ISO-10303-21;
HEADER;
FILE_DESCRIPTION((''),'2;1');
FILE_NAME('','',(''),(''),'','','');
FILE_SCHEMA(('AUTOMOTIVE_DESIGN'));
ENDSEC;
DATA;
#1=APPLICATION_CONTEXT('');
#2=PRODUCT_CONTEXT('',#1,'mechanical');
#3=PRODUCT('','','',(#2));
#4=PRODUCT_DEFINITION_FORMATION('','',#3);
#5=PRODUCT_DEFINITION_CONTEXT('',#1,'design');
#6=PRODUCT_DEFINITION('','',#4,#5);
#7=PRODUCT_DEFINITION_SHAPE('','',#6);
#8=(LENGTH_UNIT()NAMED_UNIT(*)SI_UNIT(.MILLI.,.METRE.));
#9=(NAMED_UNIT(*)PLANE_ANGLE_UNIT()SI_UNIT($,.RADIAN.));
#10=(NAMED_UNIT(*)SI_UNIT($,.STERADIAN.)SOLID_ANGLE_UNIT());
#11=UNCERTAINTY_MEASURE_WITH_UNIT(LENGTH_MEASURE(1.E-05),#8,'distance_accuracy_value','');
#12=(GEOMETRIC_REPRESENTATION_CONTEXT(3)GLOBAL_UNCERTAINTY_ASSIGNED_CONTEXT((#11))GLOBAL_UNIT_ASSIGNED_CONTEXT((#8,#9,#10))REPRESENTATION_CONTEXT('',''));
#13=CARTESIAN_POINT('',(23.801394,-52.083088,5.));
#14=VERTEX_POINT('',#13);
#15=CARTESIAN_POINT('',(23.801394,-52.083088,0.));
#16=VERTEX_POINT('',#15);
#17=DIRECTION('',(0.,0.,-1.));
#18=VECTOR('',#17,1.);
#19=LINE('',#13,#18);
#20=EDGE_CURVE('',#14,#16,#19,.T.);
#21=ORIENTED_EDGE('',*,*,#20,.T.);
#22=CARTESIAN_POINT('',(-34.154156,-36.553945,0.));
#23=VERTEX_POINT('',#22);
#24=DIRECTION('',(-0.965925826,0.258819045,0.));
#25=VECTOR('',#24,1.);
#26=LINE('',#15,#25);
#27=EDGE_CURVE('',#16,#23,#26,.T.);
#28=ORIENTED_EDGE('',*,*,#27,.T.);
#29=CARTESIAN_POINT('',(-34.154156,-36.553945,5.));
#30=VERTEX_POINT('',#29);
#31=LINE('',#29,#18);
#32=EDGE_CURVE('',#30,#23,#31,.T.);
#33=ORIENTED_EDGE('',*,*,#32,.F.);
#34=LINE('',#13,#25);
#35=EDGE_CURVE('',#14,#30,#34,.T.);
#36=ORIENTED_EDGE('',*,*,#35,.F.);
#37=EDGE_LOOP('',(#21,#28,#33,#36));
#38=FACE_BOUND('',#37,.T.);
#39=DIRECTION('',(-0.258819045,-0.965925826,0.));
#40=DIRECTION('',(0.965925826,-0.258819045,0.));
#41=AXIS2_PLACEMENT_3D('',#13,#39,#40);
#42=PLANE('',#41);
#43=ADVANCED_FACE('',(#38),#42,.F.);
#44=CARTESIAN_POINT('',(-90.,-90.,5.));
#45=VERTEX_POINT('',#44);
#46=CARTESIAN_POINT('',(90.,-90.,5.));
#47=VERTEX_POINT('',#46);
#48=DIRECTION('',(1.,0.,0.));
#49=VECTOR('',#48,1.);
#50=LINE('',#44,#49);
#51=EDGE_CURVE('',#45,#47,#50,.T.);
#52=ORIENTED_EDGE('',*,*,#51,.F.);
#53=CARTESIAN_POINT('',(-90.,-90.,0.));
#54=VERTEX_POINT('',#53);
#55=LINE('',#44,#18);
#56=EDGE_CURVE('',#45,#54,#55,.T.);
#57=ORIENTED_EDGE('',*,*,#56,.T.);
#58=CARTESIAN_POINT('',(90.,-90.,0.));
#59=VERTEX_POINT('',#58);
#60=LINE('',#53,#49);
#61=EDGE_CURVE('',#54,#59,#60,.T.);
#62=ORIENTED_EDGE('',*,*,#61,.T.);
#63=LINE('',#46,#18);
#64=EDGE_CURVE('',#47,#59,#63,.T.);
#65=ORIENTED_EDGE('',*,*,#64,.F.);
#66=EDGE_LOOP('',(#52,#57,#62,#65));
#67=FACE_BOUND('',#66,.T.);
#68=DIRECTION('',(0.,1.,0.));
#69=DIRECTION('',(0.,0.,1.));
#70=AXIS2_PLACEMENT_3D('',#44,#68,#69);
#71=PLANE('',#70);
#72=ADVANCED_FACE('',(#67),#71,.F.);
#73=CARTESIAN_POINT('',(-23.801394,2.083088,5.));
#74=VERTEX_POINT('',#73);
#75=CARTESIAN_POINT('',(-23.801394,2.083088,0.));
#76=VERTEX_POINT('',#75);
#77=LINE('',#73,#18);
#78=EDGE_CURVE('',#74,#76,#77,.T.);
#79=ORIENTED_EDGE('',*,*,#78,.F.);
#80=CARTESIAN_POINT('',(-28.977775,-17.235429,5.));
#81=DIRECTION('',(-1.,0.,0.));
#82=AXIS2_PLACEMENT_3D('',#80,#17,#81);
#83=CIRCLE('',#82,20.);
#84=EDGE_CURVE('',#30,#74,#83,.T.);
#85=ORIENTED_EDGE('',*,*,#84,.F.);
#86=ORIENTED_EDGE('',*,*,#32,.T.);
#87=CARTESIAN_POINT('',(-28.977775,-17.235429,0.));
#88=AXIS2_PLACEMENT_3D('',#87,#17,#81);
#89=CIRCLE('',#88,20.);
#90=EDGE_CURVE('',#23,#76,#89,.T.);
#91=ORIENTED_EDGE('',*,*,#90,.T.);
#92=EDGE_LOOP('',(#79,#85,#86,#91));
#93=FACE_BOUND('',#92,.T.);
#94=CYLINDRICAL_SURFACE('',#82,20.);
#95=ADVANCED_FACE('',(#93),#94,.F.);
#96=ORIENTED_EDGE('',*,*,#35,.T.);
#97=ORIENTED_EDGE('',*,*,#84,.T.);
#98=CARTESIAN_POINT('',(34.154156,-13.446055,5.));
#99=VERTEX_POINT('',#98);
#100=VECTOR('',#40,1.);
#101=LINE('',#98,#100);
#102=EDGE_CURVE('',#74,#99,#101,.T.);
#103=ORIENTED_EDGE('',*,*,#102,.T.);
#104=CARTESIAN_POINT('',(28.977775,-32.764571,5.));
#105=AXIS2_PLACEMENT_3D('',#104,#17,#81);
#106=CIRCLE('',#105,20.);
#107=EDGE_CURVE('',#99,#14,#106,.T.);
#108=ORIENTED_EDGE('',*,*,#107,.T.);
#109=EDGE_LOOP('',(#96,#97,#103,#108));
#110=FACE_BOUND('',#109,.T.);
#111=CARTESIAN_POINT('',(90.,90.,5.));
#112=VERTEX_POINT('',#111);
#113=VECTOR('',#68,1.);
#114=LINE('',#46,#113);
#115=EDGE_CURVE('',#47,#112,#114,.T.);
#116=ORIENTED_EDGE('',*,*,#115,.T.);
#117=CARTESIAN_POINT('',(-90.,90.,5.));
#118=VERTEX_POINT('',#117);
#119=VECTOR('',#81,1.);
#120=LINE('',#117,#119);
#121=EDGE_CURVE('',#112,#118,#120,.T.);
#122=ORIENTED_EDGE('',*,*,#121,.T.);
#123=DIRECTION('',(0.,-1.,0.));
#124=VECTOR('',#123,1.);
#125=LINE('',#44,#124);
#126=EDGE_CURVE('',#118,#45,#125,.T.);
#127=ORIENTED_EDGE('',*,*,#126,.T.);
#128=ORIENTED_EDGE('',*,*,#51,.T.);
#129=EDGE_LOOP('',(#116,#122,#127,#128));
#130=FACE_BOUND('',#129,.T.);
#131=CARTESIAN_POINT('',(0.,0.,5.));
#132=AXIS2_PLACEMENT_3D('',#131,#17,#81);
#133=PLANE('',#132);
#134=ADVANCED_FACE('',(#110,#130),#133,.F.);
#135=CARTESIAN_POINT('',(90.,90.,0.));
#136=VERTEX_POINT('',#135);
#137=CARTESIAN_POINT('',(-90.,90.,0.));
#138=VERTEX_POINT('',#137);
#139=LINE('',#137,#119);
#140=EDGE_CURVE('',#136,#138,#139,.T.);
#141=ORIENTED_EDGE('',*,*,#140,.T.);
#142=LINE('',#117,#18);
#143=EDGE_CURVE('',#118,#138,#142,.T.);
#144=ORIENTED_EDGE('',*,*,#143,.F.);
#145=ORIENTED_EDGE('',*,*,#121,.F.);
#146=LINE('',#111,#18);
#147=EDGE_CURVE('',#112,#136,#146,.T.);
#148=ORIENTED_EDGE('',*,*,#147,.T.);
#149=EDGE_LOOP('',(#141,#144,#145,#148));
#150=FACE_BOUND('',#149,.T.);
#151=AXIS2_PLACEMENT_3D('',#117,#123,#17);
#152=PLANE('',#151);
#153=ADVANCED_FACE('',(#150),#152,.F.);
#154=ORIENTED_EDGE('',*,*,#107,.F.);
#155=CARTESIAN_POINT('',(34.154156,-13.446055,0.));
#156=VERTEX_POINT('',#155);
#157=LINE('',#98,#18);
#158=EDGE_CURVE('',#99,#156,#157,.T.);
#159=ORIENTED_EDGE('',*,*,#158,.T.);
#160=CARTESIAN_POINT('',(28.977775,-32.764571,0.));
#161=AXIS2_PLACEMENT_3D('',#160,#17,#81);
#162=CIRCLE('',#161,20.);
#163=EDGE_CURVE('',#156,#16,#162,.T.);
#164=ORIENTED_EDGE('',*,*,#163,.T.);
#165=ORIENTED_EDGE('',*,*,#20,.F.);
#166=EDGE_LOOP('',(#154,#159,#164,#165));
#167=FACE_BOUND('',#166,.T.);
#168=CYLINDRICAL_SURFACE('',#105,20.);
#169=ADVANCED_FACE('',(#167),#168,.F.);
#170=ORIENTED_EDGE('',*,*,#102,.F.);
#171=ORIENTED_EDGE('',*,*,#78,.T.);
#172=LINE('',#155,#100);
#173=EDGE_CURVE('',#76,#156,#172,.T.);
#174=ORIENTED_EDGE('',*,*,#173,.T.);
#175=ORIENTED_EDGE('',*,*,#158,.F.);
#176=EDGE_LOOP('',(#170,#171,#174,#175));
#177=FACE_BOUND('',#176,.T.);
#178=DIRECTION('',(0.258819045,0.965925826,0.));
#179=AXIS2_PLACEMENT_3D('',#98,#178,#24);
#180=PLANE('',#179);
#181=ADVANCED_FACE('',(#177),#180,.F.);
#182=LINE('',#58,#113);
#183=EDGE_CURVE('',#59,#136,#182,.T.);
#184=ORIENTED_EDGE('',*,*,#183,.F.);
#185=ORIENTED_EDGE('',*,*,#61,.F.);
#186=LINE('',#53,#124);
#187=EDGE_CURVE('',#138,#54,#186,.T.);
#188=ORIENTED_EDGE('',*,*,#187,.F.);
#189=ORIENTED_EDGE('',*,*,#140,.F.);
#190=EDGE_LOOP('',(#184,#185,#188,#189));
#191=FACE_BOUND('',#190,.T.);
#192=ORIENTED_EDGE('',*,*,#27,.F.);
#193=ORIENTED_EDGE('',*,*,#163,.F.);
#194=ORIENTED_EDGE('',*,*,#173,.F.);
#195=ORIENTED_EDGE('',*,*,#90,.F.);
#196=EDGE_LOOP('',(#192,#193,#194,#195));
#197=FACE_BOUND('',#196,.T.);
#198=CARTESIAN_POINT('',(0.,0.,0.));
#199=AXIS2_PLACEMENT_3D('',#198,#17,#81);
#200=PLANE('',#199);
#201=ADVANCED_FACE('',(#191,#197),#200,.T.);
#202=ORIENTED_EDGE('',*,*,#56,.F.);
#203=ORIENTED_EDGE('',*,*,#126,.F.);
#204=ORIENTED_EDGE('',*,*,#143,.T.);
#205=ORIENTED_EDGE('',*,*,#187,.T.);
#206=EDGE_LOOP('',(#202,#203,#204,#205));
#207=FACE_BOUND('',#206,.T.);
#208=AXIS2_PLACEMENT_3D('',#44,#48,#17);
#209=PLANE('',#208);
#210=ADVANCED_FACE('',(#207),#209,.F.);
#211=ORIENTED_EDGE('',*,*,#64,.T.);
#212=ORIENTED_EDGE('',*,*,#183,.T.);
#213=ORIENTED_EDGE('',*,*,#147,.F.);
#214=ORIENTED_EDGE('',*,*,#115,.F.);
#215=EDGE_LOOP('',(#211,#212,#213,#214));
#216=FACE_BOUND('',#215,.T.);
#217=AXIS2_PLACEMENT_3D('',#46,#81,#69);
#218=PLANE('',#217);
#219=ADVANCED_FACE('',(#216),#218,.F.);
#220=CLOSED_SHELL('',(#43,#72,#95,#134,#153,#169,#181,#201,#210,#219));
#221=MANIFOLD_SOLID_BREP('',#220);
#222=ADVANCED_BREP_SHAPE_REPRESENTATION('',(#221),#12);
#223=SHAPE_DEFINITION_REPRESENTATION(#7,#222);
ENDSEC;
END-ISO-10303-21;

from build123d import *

# Parameters (mm, degrees)
SKETCH1_W           = 180
SKETCH1_H           = 180
BOSS_EXTRUDE1_DEPTH = 5
CUT_EXTRUDE1_DEPTH  = 128.377392029


with BuildPart() as part:
    # Sketch1 → Boss-Extrude1 (new body)
    with BuildSketch(Plane.XY):
        Rectangle(SKETCH1_W, SKETCH1_H)
    extrude(amount=BOSS_EXTRUDE1_DEPTH)

    # Sketch3 → Cut-Extrude1 (cut, through all)
    with BuildSketch(Plane(origin=(0, 0, 0), x_dir=(-1, 0, 0), z_dir=(0, 0, -1))):
        with BuildLine():
            Line((-34.154155691, -13.446054827), (23.801393887, 2.083087879))
            ThreePointArc((23.801393887, 2.083087879), (48.296291314, -12.059047745), (34.154155691, -36.553945173))
            Line((34.154155691, -36.553945173), (-23.801393887, -52.083087879))
            ThreePointArc((-23.801393887, -52.083087879), (-48.296291314, -37.940952255), (-34.154155691, -13.446054827))
        make_face()
    extrude(amount=-CUT_EXTRUDE1_DEPTH, mode=Mode.SUBTRACT)


solid = part.part
